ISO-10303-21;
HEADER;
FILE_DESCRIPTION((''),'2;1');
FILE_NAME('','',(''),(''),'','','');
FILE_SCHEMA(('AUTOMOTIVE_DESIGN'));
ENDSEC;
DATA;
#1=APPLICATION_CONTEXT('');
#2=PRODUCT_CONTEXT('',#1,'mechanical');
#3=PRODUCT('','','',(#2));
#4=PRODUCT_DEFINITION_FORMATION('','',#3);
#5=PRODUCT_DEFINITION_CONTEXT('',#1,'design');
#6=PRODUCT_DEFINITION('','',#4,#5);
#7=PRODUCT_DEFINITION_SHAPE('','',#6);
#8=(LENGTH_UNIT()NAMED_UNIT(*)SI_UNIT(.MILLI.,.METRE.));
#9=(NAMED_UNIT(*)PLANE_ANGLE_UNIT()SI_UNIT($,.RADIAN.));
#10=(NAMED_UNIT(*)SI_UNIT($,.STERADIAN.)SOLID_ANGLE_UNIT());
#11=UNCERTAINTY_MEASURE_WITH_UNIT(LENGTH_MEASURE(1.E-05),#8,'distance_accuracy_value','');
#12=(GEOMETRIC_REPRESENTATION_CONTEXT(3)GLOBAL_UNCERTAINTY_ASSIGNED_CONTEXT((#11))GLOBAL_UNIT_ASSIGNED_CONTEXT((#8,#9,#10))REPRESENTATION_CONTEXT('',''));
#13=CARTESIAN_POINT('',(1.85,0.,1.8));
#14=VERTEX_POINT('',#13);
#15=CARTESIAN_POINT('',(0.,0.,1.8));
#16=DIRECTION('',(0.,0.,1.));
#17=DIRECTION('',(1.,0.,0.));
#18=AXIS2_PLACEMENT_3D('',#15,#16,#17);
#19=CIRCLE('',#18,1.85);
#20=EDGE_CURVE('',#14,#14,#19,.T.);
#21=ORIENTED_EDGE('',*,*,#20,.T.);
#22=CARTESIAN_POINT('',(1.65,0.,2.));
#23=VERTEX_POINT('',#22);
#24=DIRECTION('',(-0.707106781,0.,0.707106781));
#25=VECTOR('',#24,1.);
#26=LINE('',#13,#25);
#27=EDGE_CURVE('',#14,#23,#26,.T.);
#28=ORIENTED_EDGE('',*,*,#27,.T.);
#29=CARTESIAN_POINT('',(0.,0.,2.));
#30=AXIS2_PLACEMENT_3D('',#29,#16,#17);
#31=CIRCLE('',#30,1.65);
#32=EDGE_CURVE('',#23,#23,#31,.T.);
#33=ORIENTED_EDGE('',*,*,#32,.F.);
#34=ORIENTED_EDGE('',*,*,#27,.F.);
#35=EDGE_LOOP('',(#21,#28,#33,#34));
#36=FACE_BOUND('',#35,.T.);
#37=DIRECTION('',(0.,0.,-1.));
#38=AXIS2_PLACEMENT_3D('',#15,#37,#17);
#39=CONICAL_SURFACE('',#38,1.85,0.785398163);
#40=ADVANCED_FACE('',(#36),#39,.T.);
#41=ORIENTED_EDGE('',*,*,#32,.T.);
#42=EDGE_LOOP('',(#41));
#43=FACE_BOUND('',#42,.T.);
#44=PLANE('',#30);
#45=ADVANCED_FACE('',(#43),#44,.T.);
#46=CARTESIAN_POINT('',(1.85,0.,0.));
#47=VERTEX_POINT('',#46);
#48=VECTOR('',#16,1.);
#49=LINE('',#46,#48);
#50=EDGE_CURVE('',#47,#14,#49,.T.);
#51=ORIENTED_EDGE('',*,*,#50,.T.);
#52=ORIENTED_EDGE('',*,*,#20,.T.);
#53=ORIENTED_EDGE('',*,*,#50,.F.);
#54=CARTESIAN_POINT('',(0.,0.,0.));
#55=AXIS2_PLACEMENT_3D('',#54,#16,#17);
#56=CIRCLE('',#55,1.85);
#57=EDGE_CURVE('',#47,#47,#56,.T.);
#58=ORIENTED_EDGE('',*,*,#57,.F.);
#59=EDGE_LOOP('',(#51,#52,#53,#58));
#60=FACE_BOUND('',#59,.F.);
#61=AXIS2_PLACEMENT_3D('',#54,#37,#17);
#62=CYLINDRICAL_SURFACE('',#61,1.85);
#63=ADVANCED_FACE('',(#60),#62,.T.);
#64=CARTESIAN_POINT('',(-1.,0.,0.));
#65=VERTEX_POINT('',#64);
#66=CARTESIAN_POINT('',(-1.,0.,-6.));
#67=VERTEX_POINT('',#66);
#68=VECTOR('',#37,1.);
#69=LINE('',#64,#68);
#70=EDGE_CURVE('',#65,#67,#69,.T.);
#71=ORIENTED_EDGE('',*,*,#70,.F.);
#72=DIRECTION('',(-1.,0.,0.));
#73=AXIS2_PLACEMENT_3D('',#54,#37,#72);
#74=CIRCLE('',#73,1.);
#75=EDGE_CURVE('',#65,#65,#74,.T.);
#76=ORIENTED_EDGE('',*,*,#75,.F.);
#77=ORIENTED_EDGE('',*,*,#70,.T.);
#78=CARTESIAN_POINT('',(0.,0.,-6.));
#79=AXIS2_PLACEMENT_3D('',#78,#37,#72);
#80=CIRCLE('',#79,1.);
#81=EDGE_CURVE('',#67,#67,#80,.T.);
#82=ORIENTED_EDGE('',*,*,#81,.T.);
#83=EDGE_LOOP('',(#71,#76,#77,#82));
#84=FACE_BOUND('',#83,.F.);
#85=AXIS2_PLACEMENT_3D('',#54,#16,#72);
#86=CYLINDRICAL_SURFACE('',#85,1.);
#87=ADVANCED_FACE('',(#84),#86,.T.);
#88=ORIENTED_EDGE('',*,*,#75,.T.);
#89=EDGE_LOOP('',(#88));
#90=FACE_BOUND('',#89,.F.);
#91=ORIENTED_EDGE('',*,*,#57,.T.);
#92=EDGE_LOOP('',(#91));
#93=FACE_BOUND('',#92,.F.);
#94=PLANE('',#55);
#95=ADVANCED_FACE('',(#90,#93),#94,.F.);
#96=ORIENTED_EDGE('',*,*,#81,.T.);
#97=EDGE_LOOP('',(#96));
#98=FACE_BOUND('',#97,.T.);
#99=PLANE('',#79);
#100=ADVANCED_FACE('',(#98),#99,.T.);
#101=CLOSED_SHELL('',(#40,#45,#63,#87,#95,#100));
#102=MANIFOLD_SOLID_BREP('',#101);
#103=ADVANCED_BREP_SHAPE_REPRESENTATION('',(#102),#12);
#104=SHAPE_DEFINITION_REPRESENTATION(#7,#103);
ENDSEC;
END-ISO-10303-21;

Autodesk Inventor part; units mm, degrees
ref_plane "YZ Plane" through (0, 0, 0) normal (1, 0, 0) x (0, 1, 0)
ref_plane "XZ Plane" through (0, 0, 0) normal (0, 1, 0) x (-1, 0, 0)
ref_plane "XY Plane" through (0, 0, 0) normal (0, 0, 1) x (1, 0, 0)
sketch "スケッチ1" plane through (0, 0, 0) normal (0, 0, 1) x (1, 0, 0)
  circle A0 centre (0, 0) radius 1.85
  dimension "d0" = 3.7
extrude "押し出し1" add sketch "スケッチ1" along normal blind 2
sketch "スケッチ2" plane through (0, 0, 0) normal (0, 0, -1) x (-1, 0, 0)
  circle A0 centre (0, 0) radius 1
  dimension "d3" = 2
extrude "押し出し2" add sketch "スケッチ2" along normal blind 6
thread "ねじ1" size "M2x0.4" class "6g" standard "ANSI Metric M Profile" full length
chamfer "面取り1" distance 0.2 angle 45 1 edges at (-1.85, 0, 2)
properties part number "M2×6" material "ステンレス鋼"
